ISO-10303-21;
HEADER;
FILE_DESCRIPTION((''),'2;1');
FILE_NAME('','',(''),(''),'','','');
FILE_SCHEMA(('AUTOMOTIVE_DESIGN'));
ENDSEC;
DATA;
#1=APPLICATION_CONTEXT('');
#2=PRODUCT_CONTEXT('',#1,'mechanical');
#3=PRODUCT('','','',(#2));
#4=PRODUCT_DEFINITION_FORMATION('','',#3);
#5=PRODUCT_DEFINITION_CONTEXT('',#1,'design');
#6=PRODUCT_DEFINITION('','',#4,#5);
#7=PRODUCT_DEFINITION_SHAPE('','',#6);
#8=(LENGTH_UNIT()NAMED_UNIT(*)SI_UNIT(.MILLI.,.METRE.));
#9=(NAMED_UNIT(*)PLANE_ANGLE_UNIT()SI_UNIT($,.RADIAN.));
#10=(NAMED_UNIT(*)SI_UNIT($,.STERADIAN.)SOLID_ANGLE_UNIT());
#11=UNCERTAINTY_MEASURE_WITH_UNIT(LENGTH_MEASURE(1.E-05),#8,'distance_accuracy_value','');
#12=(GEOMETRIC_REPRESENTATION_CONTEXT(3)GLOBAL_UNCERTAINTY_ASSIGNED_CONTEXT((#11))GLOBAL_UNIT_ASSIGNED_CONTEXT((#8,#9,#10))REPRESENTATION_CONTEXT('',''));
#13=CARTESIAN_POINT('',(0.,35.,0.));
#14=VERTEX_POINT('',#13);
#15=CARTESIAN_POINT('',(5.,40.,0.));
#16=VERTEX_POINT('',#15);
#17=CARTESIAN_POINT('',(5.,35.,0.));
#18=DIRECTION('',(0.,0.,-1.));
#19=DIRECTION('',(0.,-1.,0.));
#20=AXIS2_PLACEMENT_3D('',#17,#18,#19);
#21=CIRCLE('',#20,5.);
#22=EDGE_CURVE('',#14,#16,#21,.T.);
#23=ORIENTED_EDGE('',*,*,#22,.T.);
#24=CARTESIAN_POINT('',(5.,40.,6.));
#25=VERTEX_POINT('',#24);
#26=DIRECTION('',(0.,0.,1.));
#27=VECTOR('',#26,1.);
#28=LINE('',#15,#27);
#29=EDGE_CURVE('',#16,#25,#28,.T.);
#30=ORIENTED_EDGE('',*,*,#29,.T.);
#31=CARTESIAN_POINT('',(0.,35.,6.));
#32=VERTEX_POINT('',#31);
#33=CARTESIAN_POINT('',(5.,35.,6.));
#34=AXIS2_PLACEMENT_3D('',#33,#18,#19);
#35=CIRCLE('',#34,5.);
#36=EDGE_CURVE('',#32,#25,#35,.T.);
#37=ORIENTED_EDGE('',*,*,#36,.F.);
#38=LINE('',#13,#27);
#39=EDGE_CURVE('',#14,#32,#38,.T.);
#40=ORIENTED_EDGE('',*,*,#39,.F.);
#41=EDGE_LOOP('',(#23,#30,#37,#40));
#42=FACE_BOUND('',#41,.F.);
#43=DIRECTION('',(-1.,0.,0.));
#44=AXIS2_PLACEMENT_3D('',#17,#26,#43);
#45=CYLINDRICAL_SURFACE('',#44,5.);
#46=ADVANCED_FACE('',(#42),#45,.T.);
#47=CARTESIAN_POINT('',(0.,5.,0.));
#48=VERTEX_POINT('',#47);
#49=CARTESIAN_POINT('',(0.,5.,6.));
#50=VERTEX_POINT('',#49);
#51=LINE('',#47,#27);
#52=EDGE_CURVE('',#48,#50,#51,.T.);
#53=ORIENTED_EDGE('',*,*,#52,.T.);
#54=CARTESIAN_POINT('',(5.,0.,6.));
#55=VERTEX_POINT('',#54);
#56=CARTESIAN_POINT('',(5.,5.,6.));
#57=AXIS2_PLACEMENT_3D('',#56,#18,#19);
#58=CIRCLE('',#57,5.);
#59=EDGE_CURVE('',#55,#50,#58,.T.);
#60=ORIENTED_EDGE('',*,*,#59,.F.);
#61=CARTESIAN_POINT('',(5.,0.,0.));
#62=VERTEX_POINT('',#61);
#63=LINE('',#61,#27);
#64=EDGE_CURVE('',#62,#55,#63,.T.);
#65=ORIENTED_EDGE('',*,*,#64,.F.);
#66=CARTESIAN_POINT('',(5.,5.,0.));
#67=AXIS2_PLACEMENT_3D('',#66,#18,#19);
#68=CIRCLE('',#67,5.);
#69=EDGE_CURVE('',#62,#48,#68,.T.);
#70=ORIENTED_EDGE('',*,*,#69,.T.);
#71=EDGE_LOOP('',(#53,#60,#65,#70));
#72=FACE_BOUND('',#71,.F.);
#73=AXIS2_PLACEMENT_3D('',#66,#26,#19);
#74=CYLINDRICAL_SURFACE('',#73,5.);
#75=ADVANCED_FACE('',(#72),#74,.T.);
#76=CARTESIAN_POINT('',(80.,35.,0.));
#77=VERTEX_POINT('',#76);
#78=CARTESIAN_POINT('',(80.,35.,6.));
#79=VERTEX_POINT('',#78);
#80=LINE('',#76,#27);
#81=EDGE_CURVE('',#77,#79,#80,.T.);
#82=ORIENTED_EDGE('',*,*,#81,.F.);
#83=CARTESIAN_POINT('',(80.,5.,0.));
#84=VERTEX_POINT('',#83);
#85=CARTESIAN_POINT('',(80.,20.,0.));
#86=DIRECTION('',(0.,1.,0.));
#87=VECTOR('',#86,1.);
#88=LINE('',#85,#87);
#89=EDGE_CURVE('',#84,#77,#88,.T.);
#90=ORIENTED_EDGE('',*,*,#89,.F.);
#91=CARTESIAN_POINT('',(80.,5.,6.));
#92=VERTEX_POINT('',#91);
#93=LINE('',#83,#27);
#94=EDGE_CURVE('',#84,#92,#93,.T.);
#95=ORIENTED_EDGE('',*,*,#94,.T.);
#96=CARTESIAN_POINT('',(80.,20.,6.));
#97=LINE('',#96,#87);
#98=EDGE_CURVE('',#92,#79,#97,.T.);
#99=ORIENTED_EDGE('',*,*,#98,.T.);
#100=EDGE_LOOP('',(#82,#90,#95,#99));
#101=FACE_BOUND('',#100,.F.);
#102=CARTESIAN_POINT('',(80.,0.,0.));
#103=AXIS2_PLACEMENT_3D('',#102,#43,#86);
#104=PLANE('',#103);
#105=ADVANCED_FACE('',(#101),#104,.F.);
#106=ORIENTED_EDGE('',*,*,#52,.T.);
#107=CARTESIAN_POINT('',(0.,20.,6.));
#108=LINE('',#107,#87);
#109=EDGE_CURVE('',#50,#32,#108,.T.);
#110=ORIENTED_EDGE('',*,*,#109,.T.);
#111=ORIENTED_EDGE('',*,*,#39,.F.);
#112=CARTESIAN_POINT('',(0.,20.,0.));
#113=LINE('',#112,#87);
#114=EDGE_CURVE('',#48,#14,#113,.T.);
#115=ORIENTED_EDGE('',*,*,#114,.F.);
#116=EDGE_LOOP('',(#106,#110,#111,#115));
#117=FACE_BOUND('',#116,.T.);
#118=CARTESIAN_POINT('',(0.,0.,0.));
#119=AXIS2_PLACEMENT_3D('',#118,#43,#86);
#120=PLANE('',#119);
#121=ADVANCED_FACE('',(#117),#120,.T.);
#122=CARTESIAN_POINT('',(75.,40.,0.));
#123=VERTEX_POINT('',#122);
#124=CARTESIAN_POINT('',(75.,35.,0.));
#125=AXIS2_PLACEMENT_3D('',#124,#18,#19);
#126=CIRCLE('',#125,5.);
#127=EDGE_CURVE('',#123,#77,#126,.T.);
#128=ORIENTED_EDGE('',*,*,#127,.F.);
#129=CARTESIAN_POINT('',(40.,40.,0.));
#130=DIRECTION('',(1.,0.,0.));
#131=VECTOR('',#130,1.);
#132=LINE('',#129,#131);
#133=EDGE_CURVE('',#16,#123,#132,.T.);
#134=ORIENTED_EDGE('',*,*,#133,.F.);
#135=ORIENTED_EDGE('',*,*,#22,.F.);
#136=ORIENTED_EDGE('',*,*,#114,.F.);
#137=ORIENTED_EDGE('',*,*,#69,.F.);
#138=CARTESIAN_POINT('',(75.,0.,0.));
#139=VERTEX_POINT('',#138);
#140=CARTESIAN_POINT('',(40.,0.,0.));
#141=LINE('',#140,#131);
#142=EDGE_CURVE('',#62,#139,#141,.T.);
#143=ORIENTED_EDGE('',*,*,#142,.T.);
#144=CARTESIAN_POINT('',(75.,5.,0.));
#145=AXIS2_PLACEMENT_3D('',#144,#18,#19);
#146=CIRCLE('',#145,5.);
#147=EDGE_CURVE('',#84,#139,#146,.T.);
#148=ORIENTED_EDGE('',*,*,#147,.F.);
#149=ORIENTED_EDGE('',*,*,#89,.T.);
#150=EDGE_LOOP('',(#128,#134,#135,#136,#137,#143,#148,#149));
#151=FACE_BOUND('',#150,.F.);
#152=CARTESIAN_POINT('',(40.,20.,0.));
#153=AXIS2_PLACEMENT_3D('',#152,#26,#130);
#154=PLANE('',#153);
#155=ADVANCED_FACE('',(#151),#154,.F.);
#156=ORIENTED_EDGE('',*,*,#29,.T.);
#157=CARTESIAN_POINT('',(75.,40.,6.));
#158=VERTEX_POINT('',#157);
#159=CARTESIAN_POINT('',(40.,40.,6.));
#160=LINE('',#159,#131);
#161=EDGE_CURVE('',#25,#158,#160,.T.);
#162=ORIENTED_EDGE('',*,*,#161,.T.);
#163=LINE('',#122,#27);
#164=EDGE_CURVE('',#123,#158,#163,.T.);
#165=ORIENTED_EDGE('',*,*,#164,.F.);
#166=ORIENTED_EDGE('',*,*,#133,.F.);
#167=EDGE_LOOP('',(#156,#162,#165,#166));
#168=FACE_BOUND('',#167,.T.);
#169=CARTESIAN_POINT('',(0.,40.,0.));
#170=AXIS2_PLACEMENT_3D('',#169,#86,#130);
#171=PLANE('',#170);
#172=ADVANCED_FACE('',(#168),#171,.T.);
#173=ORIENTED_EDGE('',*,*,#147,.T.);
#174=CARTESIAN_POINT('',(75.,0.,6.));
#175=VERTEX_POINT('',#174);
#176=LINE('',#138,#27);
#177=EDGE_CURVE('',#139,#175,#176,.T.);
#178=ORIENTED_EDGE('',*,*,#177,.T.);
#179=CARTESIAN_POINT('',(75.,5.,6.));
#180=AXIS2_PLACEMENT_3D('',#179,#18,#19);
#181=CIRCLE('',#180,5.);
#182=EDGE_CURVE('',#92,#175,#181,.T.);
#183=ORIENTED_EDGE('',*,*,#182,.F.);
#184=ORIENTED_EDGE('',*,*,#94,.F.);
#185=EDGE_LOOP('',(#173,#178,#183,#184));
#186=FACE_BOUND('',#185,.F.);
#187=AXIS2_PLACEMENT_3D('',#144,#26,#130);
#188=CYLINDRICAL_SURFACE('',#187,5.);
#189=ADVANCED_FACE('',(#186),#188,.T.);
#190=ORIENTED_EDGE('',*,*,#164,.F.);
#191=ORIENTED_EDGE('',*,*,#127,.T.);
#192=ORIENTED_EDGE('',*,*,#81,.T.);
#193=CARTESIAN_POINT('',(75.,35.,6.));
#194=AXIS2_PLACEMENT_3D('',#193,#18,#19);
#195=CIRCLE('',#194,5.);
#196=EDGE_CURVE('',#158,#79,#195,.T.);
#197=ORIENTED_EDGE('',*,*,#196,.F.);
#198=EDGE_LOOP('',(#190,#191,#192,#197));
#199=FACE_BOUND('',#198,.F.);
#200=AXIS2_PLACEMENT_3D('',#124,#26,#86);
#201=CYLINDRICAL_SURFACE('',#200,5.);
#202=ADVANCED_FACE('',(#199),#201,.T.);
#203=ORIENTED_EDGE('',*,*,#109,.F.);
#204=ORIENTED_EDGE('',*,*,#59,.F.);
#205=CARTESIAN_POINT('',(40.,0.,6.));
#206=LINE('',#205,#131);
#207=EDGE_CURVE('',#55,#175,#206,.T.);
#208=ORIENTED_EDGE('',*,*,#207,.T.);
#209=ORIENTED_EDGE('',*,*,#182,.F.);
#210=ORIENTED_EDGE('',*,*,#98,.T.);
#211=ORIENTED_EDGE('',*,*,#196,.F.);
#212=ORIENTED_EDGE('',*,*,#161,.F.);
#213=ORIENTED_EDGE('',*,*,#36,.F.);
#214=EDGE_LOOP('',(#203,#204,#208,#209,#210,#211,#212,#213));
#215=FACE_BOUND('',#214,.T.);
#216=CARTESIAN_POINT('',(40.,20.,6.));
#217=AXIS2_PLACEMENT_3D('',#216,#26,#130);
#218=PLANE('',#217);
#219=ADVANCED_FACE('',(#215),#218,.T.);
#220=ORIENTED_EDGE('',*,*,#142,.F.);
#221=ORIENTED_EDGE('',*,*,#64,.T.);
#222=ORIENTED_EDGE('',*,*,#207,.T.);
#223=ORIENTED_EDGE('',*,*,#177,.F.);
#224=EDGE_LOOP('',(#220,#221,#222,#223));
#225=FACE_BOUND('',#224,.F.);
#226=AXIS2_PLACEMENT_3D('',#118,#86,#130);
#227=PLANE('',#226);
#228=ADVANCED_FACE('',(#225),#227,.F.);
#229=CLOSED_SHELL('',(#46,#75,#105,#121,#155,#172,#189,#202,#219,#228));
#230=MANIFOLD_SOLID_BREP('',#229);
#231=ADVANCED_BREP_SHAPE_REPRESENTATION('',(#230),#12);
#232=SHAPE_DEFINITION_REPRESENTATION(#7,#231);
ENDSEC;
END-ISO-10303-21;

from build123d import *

# Parameters (mm, degrees)
F0_W     = 80
F0_H     = 40
F1_DEPTH = 6
F2_R     = 5
F3_R     = 5
F4_R     = 5
F5_R     = 5


with BuildPart() as f1:
    # F0 (on Top) → F1 (new body)
    with BuildSketch(Plane.XY):
        with Locations((40, 20)):
            Rectangle(F0_W, F0_H)
    extrude(amount=F1_DEPTH)

    # F2
    f2_edges = [f1.edges().sort_by_distance(p)[0] for p in [
        (0, 40, 3),
    ]]
    fillet(f2_edges, radius=F2_R)

    # F3
    f3_edges = [f1.edges().sort_by_distance(p)[0] for p in [
        (80, 40, 3),
    ]]
    fillet(f3_edges, radius=F3_R)

    # F4
    f4_edges = [f1.edges().sort_by_distance(p)[0] for p in [
        (80, 0, 3),
    ]]
    fillet(f4_edges, radius=F4_R)

    # F5
    f5_edges = [f1.edges().sort_by_distance(p)[0] for p in [
        (0, 0, 3),
    ]]
    fillet(f5_edges, radius=F5_R)


solid = f1.part
